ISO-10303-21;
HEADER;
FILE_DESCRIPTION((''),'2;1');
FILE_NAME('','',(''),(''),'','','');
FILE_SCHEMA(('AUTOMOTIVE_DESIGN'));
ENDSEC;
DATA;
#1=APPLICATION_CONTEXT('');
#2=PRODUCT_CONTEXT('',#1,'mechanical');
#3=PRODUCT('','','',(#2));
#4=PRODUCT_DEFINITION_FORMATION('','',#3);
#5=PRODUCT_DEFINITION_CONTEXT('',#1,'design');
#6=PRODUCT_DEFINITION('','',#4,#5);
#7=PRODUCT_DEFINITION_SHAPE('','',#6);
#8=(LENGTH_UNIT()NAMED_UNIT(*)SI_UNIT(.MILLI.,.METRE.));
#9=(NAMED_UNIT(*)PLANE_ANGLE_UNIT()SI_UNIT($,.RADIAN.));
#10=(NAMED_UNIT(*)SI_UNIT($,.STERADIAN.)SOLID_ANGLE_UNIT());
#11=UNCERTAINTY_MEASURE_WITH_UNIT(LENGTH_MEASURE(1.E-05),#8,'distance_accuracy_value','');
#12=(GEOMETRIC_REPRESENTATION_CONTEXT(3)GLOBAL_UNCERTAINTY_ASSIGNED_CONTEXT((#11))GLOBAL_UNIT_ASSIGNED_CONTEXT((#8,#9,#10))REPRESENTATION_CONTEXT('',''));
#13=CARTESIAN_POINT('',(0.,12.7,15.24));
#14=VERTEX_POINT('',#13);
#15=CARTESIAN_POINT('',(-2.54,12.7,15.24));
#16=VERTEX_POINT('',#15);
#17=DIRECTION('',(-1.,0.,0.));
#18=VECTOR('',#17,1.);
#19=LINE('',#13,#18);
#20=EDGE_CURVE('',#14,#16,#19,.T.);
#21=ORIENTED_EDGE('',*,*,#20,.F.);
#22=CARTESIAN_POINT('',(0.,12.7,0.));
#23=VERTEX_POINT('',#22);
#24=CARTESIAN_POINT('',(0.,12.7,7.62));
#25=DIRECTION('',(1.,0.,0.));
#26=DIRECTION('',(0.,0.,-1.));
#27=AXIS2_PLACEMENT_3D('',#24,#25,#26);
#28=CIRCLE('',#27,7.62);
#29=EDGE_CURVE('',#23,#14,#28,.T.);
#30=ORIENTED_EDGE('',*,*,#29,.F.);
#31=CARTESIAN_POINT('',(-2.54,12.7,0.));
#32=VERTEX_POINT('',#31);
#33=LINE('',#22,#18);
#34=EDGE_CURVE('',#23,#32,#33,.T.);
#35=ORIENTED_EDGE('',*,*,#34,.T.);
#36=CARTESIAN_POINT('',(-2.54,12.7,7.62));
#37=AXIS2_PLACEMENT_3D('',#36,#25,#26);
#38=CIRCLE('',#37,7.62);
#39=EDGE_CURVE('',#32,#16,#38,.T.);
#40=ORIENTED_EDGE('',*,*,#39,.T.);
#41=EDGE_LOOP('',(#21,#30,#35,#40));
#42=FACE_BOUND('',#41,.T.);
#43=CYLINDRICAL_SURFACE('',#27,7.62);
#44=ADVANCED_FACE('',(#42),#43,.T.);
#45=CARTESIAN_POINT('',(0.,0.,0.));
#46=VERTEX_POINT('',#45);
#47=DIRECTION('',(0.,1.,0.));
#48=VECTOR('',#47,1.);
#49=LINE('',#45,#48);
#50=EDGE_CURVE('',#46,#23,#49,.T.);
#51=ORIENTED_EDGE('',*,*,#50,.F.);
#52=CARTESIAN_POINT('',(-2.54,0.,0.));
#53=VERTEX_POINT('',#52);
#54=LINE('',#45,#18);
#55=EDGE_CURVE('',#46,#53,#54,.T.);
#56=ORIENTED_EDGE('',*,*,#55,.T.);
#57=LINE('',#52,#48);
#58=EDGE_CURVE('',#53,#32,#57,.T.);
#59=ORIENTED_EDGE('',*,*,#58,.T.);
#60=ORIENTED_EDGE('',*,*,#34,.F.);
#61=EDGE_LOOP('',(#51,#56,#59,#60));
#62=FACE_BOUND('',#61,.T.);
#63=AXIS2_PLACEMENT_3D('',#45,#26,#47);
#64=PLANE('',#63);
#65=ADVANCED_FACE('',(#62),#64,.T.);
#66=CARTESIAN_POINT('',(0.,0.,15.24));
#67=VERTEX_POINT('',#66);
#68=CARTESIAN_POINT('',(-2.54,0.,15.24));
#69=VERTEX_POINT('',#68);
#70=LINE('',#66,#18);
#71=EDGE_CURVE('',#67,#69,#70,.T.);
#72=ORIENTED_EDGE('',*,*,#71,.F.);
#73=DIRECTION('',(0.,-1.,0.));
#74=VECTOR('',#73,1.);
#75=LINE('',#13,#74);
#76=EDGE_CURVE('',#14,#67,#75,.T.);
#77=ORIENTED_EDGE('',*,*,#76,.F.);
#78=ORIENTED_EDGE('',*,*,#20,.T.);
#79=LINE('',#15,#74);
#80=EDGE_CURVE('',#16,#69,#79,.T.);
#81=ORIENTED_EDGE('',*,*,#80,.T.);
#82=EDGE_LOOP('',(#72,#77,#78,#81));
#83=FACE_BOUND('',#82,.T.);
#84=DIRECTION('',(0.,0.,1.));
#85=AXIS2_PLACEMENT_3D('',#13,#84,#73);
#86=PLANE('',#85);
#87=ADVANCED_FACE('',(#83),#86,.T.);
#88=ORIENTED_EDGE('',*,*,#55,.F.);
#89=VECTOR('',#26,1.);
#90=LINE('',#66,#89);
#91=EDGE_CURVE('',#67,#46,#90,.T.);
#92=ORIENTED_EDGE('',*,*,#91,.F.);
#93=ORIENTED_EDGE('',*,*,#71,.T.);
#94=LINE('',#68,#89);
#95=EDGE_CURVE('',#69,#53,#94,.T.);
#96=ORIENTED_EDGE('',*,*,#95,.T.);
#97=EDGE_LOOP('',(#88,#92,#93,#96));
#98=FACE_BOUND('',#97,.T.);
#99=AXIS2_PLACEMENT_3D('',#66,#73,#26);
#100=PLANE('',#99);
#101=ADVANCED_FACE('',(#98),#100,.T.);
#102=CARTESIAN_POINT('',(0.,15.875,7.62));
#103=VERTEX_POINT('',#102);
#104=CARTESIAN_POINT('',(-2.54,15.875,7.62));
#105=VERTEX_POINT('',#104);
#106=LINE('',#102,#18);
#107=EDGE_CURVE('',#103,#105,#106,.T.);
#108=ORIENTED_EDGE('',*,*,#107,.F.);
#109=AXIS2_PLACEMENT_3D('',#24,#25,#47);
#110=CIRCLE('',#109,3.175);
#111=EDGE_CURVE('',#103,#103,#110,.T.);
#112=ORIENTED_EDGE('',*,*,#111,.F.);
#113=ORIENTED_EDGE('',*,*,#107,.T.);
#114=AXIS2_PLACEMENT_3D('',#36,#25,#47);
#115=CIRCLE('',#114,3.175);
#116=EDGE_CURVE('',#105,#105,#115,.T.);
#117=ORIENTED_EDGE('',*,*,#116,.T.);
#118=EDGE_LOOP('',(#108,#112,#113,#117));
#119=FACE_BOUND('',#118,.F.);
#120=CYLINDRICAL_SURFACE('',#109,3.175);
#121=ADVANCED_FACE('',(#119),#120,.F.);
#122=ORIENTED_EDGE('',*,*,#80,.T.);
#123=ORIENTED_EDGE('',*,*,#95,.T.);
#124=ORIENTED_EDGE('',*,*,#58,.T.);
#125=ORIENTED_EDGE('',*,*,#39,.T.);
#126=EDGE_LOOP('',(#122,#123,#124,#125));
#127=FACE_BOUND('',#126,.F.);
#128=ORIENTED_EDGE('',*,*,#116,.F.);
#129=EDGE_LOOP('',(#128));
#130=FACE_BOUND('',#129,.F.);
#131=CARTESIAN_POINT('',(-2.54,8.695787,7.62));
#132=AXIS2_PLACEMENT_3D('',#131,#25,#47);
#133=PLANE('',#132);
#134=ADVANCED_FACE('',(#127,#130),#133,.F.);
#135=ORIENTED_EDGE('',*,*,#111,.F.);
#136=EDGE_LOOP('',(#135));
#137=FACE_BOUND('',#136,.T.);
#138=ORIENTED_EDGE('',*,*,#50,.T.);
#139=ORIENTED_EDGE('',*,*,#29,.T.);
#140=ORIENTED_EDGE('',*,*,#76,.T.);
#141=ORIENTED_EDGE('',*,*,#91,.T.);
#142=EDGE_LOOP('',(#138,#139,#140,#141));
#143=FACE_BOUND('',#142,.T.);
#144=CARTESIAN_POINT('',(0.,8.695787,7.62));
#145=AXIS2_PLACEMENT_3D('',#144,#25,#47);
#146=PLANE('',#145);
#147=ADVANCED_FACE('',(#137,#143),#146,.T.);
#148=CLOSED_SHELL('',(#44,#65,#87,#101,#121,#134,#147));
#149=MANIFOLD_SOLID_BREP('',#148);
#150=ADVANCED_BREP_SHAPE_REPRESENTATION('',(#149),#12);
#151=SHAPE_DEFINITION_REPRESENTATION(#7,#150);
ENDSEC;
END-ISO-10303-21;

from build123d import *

# Parameters (mm, degrees)
F0_R     = 3.175
F1_DEPTH = 2.54


with BuildPart() as f1:
    # F0 (on Right) → F1 (new body)
    with BuildSketch(Plane.YZ):
        with BuildLine():
            Line((0, 15.24), (0, 0))
            Line((0, 0), (12.7, 0))
            ThreePointArc((12.7, 0), (20.32, 7.62), (12.7, 15.24))
            Line((12.7, 15.24), (0, 15.24))
        make_face()
        with Locations((12.7, 7.62)):
            Circle(F0_R, mode=Mode.SUBTRACT)
    extrude(amount=-F1_DEPTH)


solid = f1.part
